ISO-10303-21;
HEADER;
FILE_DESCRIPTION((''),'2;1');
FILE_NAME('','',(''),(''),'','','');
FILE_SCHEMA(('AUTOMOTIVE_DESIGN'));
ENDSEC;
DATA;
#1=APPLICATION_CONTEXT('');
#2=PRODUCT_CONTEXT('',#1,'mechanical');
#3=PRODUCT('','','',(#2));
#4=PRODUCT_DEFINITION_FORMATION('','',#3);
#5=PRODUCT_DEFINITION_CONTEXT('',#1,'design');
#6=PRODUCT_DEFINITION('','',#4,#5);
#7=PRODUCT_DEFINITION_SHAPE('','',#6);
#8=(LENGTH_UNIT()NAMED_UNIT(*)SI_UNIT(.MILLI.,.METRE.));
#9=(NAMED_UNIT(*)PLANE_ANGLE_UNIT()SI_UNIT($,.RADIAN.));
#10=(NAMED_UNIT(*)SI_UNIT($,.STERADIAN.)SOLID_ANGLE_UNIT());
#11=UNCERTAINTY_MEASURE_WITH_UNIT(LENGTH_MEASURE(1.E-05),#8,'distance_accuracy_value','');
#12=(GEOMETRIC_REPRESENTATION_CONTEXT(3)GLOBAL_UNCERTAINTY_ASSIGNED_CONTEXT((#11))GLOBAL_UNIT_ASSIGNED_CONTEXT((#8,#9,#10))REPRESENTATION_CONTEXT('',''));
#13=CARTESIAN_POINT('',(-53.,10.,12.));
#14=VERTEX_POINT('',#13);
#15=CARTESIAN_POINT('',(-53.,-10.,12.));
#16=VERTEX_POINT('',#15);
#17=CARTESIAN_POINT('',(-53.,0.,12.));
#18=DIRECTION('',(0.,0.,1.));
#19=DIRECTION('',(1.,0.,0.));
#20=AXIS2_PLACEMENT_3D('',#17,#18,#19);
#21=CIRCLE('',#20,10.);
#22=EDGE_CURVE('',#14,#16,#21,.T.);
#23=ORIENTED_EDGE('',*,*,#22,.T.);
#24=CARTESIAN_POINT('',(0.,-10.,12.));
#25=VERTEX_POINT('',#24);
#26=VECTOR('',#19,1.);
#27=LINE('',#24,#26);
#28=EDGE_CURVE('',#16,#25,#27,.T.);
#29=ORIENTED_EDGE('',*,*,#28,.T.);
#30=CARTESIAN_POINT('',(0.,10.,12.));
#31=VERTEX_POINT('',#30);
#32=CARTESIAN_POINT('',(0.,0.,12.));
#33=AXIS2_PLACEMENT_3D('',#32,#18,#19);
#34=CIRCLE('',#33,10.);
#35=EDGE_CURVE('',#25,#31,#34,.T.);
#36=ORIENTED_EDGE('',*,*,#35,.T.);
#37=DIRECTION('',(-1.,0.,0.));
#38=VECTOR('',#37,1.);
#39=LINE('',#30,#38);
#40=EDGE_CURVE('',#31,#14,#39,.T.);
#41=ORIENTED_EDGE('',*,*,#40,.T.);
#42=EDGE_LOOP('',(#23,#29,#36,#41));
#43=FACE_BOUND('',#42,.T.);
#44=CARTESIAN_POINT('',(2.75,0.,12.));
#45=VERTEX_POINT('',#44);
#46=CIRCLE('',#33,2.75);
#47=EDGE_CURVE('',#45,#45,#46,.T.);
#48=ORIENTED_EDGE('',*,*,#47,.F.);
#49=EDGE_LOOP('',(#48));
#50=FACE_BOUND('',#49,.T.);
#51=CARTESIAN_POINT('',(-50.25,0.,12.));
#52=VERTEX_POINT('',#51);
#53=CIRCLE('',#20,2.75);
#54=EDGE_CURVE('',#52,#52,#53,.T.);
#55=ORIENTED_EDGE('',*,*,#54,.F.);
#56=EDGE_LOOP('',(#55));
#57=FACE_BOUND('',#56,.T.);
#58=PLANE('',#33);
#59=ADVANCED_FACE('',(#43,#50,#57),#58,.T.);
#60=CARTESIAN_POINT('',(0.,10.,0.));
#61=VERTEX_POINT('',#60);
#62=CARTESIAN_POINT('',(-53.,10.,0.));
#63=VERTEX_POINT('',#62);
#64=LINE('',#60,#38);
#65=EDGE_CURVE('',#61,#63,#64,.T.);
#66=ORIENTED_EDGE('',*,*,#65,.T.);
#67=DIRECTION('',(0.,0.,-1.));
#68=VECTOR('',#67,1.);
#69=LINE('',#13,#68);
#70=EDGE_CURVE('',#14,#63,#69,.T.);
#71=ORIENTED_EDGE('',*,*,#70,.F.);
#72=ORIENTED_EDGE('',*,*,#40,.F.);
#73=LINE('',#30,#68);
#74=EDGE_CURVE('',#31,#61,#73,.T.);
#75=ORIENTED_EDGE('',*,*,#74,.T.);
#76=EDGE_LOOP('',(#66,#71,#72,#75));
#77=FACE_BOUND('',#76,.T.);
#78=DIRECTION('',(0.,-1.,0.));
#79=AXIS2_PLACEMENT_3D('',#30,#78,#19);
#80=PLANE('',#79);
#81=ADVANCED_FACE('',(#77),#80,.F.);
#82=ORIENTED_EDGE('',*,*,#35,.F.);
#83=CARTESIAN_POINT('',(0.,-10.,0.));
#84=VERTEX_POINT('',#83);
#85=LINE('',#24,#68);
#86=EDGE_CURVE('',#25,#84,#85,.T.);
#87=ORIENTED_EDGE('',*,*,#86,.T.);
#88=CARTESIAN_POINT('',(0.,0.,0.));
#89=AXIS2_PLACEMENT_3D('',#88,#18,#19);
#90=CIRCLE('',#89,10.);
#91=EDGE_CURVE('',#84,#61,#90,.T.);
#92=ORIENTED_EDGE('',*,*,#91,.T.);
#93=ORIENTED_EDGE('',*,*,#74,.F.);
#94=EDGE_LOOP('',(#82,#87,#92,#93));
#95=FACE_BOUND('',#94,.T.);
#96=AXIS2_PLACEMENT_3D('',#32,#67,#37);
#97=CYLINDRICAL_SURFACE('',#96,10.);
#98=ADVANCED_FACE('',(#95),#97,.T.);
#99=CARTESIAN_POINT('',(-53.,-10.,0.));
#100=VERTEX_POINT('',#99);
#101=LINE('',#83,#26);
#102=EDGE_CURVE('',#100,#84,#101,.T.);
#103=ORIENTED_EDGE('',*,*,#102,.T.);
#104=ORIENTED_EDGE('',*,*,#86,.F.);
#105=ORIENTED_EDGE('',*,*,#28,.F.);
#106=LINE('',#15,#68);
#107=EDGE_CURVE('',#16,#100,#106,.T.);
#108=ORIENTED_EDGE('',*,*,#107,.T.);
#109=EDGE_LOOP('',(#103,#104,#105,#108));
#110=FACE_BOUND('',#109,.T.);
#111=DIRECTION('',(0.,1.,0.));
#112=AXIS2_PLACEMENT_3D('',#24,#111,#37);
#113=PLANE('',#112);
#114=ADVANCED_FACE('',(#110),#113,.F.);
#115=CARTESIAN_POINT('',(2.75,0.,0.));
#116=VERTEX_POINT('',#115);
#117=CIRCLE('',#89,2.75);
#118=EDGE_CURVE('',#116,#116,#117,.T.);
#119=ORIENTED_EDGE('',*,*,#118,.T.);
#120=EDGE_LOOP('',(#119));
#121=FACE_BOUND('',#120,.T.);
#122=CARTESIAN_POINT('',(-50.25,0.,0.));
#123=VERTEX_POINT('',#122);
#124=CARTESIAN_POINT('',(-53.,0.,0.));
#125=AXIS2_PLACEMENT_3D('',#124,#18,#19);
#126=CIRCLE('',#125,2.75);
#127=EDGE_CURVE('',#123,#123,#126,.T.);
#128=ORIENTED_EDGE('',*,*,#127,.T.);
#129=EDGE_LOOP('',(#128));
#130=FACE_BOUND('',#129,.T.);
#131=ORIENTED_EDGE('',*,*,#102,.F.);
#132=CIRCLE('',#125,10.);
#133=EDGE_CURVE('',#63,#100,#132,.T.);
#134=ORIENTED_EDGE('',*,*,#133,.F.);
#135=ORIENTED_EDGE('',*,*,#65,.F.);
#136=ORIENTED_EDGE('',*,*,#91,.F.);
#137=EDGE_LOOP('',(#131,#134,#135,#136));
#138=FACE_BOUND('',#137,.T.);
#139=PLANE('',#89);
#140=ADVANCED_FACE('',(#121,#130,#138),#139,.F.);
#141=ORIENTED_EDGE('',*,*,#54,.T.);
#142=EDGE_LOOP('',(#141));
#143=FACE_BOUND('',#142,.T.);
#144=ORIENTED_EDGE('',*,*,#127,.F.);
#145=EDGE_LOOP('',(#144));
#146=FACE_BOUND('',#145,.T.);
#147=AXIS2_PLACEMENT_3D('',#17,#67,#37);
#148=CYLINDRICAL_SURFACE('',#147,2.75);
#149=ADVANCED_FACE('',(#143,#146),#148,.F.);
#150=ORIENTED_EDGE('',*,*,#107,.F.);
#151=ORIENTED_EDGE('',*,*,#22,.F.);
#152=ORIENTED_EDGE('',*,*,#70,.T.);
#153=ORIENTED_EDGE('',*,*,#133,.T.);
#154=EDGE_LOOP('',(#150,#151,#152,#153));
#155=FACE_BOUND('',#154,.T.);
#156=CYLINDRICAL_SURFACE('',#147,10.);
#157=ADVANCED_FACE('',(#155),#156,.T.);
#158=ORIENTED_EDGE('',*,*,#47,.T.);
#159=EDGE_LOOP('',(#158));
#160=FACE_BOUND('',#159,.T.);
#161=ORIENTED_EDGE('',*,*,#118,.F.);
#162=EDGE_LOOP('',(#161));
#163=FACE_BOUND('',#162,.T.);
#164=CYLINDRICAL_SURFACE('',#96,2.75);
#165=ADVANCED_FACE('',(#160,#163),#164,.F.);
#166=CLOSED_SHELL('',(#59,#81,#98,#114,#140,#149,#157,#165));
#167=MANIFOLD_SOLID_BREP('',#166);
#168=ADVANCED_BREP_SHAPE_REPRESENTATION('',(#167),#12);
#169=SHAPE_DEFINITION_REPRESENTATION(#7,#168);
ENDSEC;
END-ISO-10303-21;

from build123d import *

# Parameters (mm, degrees)
SKETCH1_R           = 2.75
BOSS_EXTRUDE1_DEPTH = 12


with BuildPart() as part:
    # Sketch1 → Boss-Extrude1 (new body)
    with BuildSketch(Plane.XY):
        with BuildLine():
            Line((0, -10), (-53, -10))
            ThreePointArc((-53, -10), (-63, 0), (-53, 10))
            Line((-53, 10), (0, 10))
            ThreePointArc((0, 10), (10, 0), (0, -10))
        make_face()
        with Locations((-53, 0)):
            Circle(SKETCH1_R, mode=Mode.SUBTRACT)
        Circle(SKETCH1_R, mode=Mode.SUBTRACT)
    extrude(amount=BOSS_EXTRUDE1_DEPTH)


solid = part.part
